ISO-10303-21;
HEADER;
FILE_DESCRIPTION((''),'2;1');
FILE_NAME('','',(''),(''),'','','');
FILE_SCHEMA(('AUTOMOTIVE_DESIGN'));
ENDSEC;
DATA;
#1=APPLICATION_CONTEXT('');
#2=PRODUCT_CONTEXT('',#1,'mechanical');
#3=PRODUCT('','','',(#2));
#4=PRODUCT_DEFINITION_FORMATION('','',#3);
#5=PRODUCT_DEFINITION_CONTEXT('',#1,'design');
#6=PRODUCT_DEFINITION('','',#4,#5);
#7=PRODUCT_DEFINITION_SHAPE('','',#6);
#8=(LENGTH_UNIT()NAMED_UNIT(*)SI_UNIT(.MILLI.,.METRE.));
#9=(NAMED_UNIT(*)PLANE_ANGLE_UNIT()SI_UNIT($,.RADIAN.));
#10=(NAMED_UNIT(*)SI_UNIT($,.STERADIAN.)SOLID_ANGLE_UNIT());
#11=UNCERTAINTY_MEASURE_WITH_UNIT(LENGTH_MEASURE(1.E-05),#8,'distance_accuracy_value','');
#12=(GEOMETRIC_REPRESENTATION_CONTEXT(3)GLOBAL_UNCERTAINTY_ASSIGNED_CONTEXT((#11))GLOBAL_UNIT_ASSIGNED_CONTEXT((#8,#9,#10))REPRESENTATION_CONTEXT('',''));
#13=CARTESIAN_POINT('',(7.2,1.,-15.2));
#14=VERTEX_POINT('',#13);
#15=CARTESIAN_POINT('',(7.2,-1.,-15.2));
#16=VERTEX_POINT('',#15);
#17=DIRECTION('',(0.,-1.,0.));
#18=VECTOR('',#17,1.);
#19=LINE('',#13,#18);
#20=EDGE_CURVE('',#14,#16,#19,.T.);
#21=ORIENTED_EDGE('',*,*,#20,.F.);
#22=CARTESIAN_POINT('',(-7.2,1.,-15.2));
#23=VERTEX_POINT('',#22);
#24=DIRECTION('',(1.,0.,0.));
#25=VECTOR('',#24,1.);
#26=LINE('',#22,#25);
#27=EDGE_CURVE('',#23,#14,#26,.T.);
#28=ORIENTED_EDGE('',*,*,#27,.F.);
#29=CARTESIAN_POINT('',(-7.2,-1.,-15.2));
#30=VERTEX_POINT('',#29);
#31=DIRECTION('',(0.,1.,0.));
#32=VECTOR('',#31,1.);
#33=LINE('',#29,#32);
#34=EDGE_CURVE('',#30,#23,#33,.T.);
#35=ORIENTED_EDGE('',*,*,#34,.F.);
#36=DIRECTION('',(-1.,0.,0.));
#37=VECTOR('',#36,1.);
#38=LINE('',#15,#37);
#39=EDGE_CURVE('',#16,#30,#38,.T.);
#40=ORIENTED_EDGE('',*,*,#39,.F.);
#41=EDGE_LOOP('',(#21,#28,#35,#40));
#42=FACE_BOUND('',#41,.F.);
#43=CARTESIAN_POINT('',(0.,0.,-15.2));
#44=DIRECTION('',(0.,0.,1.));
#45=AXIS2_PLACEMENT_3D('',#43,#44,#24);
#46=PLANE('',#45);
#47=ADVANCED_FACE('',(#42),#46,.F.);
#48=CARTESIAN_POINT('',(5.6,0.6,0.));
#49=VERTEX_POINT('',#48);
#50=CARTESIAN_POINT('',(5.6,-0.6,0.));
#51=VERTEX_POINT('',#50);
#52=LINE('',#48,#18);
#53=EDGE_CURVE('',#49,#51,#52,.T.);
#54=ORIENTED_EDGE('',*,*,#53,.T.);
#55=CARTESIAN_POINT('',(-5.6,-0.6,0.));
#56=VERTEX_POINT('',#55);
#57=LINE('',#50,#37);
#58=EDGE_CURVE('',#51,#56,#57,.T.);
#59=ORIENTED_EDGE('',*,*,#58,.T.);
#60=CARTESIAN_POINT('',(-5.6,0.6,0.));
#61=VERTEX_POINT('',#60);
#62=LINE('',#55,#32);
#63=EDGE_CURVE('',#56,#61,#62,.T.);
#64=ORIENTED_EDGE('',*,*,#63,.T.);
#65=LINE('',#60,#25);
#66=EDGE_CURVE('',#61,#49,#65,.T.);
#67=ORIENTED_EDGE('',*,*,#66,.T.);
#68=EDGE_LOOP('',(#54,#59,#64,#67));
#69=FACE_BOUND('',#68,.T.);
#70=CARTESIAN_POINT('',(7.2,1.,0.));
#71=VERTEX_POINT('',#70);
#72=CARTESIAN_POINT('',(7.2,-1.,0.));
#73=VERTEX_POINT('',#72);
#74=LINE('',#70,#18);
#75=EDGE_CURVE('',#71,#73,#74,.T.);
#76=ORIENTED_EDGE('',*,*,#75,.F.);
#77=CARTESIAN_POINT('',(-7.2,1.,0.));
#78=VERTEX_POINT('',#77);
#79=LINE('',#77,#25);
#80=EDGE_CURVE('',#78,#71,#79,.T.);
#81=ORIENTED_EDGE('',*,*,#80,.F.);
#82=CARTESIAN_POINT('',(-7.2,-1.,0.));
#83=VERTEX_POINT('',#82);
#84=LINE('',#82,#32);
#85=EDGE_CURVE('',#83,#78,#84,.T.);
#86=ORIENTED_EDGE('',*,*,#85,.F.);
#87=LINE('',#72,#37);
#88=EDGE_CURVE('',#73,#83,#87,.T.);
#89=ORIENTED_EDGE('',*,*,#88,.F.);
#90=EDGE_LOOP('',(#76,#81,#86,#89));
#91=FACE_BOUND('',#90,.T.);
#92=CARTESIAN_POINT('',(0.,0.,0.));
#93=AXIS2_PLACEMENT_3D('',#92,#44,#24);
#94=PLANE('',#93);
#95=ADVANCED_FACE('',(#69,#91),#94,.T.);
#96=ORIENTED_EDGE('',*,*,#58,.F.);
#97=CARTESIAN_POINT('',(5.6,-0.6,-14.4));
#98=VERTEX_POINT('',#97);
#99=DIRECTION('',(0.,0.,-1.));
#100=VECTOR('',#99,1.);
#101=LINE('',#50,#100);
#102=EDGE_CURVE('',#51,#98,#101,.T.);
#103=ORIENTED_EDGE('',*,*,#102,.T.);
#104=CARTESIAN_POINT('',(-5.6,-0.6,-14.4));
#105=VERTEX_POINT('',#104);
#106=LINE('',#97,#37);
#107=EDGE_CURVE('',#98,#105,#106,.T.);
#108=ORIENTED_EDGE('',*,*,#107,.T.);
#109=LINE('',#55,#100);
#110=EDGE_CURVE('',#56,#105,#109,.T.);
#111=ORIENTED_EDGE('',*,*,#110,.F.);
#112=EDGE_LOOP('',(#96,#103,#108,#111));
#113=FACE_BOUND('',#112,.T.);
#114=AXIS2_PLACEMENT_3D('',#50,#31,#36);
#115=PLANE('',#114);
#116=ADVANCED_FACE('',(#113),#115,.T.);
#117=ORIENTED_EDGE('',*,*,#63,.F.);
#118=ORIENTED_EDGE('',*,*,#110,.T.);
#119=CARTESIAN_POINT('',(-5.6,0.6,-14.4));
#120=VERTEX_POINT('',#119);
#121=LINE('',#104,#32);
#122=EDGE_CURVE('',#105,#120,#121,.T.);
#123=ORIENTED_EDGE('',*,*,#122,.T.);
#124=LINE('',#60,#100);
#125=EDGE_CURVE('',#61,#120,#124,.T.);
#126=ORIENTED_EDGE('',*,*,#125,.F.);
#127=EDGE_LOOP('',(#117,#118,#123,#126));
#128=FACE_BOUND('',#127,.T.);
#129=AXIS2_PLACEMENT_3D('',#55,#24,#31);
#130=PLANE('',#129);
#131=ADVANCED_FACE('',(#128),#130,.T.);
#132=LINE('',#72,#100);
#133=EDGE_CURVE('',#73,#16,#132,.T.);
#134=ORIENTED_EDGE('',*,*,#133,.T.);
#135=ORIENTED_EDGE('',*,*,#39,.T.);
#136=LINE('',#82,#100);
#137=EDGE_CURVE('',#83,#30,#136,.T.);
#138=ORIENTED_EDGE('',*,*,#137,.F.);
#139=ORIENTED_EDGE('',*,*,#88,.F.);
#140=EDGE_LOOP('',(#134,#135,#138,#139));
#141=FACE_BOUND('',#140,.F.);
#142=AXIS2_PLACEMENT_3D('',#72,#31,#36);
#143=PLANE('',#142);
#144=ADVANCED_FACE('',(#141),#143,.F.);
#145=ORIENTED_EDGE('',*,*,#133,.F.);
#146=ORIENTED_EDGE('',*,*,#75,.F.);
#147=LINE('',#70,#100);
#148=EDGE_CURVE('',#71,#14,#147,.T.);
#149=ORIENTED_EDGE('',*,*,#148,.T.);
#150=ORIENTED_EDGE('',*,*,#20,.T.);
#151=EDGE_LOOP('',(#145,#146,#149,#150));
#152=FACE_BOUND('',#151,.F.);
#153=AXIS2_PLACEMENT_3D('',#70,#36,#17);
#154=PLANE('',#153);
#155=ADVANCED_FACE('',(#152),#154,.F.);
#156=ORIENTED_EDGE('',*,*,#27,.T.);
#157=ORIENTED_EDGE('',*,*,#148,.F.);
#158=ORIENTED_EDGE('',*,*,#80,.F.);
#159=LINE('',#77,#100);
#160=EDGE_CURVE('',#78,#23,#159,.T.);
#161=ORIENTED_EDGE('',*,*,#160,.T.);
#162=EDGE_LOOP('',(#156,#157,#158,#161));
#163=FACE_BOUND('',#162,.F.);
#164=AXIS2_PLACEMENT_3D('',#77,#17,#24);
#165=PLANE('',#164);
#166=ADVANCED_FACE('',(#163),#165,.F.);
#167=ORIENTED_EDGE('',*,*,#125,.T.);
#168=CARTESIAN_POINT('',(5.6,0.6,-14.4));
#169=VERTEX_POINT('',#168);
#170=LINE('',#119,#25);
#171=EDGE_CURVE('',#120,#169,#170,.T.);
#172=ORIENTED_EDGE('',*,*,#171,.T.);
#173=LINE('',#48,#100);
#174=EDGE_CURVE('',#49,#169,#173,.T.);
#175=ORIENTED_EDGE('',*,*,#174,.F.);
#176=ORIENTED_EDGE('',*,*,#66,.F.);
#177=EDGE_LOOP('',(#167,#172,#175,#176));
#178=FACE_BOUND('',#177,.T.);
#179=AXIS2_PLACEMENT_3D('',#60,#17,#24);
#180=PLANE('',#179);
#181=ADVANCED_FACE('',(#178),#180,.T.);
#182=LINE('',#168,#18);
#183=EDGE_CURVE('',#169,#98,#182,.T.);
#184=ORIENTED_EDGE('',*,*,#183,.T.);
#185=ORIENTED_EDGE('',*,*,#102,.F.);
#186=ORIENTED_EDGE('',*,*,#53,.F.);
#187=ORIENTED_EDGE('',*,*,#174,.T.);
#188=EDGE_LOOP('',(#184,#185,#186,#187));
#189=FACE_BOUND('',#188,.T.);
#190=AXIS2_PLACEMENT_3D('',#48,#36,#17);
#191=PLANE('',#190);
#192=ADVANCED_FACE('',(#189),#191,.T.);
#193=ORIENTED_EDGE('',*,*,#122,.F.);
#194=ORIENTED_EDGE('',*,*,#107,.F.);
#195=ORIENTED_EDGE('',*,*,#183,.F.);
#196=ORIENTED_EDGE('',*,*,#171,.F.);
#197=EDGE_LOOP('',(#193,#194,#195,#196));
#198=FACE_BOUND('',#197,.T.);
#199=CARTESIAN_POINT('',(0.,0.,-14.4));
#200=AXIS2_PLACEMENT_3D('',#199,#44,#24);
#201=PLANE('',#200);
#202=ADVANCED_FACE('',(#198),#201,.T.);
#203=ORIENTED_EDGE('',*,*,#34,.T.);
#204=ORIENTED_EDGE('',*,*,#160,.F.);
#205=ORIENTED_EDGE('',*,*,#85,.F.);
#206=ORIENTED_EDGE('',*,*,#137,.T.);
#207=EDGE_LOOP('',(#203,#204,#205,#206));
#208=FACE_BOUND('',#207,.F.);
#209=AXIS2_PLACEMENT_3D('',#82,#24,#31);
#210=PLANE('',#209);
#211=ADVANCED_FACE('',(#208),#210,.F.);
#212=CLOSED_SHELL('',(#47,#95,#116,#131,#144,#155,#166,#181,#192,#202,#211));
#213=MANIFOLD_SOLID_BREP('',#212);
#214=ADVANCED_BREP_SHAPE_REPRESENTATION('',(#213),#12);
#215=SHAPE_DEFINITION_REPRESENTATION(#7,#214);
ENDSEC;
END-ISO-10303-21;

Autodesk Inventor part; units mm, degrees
ref_plane "YZ Plane" through (0, 0, 0) normal (1, 0, 0) x (0, 1, 0)
ref_plane "XZ Plane" through (0, 0, 0) normal (0, 1, 0) x (-1, 0, 0)
ref_plane "XY Plane" through (0, 0, 0) normal (0, 0, 1) x (1, 0, 0)
sketch "Sketch2" plane through (0, 0, 0) normal (0, 0, 1) x (1, 0, 0)
  line L0 (-7.2, 1) -> (7.2, 1)
  line L1 (7.2, 1) -> (7.2, -1)
  line L2 (7.2, -1) -> (-7.2, -1)
  line L3 (-7.2, -1) -> (-7.2, 1)
  line L4 (-5.6, 0.6) -> (5.6, 0.6)
  line L5 (5.6, 0.6) -> (5.6, -0.6)
  line L6 (5.6, -0.6) -> (-5.6, -0.6)
  line L7 (-5.6, -0.6) -> (-5.6, 0.6)
  point P0 (0, 0)
  point P1 (-7.2, 0)
  point P2 (0, -1)
  point P3 (0, 0.6)
  point P4 (-5.6, 0)
  dimension "d0" = 2
  dimension "d1" = 14.4
  dimension "d2" = 1.2
  dimension "d3" = 11.2
extrude "Extrusion1" add sketch "Sketch2" against normal blind 15.2 contours L0 L1 L2 L3 | L4 L5 L6 L7
extrude "Extrusion2" cut sketch "Sketch2" against normal blind 14.4 contours L4 L5 L6 L7
properties part number "11034-Black" material "ABS Plastic"
